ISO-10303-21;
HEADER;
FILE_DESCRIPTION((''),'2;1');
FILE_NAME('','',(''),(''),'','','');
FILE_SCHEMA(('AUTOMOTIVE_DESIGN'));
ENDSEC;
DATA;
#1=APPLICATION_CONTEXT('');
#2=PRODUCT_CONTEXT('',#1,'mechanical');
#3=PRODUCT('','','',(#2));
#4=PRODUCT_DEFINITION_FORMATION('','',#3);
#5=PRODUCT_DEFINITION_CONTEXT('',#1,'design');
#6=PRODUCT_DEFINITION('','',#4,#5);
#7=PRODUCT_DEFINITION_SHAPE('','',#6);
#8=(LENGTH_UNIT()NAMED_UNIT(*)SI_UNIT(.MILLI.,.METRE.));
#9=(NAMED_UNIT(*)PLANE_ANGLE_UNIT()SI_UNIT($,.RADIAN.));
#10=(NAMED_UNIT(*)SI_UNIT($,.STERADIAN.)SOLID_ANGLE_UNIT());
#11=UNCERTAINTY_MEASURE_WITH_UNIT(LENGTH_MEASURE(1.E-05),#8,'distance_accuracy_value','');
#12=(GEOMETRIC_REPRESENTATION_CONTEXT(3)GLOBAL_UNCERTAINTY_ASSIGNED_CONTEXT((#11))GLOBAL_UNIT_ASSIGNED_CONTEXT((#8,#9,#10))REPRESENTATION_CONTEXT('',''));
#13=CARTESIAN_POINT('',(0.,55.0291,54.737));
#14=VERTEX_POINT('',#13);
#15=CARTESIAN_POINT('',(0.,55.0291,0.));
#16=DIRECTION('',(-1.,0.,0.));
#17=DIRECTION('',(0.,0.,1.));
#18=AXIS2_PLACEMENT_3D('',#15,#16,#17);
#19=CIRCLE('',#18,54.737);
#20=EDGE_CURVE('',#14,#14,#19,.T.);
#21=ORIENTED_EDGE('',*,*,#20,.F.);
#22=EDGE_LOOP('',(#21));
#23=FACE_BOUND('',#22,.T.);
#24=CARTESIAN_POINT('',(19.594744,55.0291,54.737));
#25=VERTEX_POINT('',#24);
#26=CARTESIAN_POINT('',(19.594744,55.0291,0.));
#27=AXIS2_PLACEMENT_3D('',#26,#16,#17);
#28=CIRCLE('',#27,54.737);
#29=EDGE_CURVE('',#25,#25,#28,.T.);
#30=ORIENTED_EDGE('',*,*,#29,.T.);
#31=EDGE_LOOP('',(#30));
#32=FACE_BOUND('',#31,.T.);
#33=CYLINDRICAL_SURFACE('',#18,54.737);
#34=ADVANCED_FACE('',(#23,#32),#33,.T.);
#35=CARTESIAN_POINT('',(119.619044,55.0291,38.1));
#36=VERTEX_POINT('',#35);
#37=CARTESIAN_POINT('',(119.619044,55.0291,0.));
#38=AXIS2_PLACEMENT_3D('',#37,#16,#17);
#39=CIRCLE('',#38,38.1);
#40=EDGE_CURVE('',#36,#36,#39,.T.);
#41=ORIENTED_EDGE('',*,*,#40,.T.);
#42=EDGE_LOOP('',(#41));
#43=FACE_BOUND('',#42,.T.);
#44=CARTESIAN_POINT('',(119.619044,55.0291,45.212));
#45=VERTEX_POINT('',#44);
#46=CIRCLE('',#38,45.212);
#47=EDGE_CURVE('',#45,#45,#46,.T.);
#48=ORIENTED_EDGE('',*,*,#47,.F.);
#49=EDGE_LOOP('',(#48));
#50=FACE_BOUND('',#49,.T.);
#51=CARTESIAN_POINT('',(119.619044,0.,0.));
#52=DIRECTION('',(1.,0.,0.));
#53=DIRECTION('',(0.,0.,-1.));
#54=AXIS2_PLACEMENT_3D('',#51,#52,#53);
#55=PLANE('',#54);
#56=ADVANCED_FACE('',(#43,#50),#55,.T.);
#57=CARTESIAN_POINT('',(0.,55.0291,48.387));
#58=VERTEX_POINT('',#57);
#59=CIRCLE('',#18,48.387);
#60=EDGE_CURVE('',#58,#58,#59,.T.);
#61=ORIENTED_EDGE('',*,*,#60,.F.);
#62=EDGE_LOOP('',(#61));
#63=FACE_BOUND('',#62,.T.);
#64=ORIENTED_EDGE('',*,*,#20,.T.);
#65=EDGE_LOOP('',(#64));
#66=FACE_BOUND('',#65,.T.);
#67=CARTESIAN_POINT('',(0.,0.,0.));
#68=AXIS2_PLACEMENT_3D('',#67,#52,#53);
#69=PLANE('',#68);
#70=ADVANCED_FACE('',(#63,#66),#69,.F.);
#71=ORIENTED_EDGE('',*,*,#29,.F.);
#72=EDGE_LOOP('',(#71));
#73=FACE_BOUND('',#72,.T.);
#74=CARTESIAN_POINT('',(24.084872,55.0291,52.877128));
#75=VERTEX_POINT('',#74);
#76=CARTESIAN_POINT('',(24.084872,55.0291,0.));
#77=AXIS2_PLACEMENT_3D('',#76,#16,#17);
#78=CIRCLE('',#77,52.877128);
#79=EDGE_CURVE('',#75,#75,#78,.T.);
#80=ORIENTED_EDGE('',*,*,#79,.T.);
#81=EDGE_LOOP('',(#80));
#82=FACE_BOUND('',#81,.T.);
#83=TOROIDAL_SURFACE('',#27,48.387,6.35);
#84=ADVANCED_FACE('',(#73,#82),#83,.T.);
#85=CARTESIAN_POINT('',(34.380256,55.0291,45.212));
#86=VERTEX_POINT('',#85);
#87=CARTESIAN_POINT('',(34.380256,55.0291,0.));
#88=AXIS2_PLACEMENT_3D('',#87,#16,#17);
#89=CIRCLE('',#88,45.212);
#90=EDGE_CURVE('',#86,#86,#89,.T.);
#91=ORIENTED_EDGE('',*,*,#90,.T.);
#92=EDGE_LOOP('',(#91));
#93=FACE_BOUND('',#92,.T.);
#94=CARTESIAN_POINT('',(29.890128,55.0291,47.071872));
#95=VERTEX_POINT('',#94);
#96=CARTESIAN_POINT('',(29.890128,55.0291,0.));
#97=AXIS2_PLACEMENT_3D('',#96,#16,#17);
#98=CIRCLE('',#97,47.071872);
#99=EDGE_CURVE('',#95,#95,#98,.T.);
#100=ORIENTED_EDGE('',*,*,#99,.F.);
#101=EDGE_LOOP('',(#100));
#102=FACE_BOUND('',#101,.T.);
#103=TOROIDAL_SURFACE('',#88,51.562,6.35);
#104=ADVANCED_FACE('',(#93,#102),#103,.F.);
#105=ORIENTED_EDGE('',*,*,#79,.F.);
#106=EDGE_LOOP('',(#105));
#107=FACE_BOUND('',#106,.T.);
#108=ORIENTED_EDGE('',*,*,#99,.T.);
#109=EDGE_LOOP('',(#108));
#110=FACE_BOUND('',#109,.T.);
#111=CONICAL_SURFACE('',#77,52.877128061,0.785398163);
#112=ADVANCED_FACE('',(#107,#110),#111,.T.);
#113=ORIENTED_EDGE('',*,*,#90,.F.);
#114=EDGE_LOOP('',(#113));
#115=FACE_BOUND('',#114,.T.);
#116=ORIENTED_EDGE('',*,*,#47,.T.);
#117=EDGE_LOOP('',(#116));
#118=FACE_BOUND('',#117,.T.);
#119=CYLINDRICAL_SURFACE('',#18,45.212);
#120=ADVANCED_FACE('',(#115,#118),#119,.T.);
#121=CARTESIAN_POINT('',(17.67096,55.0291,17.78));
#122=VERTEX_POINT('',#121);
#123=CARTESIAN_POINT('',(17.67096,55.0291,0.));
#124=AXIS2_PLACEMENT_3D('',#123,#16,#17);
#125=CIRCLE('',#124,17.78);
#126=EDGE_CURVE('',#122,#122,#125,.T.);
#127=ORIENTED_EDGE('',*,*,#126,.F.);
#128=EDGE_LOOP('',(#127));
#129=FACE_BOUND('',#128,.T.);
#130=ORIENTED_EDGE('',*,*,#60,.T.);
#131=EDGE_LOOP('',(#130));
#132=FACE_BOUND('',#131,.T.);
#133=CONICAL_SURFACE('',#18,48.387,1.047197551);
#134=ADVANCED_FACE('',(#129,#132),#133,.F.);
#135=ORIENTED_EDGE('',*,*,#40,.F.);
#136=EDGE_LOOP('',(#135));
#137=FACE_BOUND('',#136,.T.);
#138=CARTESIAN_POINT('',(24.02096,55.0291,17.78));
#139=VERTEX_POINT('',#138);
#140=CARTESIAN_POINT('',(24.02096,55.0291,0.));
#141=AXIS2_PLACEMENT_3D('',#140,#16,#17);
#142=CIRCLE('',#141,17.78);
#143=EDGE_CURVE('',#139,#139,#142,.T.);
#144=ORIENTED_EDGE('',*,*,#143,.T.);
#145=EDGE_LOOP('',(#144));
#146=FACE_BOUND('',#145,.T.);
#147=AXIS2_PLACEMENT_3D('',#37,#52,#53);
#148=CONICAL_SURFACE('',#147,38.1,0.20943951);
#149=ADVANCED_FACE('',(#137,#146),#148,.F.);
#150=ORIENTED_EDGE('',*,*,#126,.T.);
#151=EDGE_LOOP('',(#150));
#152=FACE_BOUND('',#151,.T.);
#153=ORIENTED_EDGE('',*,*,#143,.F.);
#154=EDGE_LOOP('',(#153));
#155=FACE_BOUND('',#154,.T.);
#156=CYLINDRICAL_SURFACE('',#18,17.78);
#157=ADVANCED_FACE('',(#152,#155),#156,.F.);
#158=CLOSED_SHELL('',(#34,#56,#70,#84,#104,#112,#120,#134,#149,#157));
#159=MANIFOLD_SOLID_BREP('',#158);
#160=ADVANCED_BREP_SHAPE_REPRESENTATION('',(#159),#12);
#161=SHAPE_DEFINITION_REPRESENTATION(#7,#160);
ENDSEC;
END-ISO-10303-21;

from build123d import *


with BuildPart() as part:
    # Sketch1 → Revolve1 (revolve)
    with BuildSketch(Plane.XY):
        with BuildLine():
            Line((0, 0.2921), (19.594743879, 0.2921))
            ThreePointArc((19.594743879, 0.2921), (22.024783674, 0.775464969), (24.084871939, 2.151971939))
            Line((24.084871939, 2.151971939), (29.890128061, 7.957228061))
            ThreePointArc((29.890128061, 7.957228061), (31.950216326, 9.333735031), (34.380256121, 9.8171))
            Line((34.380256121, 9.8171), (119.619043514, 9.8171))
            Line((119.619043514, 9.8171), (119.619043514, 16.9291))
            Line((119.619043514, 16.9291), (24.020959689, 37.2491))
            Line((24.020959689, 37.2491), (17.670959689, 37.2491))
            Line((17.670959689, 37.2491), (0, 6.6421))
            Line((0, 6.6421), (0, 0.2921))
        make_face()
    revolve(axis=Axis((0, 55.0291, 0), (1, 0, 0)))


solid = part.part
